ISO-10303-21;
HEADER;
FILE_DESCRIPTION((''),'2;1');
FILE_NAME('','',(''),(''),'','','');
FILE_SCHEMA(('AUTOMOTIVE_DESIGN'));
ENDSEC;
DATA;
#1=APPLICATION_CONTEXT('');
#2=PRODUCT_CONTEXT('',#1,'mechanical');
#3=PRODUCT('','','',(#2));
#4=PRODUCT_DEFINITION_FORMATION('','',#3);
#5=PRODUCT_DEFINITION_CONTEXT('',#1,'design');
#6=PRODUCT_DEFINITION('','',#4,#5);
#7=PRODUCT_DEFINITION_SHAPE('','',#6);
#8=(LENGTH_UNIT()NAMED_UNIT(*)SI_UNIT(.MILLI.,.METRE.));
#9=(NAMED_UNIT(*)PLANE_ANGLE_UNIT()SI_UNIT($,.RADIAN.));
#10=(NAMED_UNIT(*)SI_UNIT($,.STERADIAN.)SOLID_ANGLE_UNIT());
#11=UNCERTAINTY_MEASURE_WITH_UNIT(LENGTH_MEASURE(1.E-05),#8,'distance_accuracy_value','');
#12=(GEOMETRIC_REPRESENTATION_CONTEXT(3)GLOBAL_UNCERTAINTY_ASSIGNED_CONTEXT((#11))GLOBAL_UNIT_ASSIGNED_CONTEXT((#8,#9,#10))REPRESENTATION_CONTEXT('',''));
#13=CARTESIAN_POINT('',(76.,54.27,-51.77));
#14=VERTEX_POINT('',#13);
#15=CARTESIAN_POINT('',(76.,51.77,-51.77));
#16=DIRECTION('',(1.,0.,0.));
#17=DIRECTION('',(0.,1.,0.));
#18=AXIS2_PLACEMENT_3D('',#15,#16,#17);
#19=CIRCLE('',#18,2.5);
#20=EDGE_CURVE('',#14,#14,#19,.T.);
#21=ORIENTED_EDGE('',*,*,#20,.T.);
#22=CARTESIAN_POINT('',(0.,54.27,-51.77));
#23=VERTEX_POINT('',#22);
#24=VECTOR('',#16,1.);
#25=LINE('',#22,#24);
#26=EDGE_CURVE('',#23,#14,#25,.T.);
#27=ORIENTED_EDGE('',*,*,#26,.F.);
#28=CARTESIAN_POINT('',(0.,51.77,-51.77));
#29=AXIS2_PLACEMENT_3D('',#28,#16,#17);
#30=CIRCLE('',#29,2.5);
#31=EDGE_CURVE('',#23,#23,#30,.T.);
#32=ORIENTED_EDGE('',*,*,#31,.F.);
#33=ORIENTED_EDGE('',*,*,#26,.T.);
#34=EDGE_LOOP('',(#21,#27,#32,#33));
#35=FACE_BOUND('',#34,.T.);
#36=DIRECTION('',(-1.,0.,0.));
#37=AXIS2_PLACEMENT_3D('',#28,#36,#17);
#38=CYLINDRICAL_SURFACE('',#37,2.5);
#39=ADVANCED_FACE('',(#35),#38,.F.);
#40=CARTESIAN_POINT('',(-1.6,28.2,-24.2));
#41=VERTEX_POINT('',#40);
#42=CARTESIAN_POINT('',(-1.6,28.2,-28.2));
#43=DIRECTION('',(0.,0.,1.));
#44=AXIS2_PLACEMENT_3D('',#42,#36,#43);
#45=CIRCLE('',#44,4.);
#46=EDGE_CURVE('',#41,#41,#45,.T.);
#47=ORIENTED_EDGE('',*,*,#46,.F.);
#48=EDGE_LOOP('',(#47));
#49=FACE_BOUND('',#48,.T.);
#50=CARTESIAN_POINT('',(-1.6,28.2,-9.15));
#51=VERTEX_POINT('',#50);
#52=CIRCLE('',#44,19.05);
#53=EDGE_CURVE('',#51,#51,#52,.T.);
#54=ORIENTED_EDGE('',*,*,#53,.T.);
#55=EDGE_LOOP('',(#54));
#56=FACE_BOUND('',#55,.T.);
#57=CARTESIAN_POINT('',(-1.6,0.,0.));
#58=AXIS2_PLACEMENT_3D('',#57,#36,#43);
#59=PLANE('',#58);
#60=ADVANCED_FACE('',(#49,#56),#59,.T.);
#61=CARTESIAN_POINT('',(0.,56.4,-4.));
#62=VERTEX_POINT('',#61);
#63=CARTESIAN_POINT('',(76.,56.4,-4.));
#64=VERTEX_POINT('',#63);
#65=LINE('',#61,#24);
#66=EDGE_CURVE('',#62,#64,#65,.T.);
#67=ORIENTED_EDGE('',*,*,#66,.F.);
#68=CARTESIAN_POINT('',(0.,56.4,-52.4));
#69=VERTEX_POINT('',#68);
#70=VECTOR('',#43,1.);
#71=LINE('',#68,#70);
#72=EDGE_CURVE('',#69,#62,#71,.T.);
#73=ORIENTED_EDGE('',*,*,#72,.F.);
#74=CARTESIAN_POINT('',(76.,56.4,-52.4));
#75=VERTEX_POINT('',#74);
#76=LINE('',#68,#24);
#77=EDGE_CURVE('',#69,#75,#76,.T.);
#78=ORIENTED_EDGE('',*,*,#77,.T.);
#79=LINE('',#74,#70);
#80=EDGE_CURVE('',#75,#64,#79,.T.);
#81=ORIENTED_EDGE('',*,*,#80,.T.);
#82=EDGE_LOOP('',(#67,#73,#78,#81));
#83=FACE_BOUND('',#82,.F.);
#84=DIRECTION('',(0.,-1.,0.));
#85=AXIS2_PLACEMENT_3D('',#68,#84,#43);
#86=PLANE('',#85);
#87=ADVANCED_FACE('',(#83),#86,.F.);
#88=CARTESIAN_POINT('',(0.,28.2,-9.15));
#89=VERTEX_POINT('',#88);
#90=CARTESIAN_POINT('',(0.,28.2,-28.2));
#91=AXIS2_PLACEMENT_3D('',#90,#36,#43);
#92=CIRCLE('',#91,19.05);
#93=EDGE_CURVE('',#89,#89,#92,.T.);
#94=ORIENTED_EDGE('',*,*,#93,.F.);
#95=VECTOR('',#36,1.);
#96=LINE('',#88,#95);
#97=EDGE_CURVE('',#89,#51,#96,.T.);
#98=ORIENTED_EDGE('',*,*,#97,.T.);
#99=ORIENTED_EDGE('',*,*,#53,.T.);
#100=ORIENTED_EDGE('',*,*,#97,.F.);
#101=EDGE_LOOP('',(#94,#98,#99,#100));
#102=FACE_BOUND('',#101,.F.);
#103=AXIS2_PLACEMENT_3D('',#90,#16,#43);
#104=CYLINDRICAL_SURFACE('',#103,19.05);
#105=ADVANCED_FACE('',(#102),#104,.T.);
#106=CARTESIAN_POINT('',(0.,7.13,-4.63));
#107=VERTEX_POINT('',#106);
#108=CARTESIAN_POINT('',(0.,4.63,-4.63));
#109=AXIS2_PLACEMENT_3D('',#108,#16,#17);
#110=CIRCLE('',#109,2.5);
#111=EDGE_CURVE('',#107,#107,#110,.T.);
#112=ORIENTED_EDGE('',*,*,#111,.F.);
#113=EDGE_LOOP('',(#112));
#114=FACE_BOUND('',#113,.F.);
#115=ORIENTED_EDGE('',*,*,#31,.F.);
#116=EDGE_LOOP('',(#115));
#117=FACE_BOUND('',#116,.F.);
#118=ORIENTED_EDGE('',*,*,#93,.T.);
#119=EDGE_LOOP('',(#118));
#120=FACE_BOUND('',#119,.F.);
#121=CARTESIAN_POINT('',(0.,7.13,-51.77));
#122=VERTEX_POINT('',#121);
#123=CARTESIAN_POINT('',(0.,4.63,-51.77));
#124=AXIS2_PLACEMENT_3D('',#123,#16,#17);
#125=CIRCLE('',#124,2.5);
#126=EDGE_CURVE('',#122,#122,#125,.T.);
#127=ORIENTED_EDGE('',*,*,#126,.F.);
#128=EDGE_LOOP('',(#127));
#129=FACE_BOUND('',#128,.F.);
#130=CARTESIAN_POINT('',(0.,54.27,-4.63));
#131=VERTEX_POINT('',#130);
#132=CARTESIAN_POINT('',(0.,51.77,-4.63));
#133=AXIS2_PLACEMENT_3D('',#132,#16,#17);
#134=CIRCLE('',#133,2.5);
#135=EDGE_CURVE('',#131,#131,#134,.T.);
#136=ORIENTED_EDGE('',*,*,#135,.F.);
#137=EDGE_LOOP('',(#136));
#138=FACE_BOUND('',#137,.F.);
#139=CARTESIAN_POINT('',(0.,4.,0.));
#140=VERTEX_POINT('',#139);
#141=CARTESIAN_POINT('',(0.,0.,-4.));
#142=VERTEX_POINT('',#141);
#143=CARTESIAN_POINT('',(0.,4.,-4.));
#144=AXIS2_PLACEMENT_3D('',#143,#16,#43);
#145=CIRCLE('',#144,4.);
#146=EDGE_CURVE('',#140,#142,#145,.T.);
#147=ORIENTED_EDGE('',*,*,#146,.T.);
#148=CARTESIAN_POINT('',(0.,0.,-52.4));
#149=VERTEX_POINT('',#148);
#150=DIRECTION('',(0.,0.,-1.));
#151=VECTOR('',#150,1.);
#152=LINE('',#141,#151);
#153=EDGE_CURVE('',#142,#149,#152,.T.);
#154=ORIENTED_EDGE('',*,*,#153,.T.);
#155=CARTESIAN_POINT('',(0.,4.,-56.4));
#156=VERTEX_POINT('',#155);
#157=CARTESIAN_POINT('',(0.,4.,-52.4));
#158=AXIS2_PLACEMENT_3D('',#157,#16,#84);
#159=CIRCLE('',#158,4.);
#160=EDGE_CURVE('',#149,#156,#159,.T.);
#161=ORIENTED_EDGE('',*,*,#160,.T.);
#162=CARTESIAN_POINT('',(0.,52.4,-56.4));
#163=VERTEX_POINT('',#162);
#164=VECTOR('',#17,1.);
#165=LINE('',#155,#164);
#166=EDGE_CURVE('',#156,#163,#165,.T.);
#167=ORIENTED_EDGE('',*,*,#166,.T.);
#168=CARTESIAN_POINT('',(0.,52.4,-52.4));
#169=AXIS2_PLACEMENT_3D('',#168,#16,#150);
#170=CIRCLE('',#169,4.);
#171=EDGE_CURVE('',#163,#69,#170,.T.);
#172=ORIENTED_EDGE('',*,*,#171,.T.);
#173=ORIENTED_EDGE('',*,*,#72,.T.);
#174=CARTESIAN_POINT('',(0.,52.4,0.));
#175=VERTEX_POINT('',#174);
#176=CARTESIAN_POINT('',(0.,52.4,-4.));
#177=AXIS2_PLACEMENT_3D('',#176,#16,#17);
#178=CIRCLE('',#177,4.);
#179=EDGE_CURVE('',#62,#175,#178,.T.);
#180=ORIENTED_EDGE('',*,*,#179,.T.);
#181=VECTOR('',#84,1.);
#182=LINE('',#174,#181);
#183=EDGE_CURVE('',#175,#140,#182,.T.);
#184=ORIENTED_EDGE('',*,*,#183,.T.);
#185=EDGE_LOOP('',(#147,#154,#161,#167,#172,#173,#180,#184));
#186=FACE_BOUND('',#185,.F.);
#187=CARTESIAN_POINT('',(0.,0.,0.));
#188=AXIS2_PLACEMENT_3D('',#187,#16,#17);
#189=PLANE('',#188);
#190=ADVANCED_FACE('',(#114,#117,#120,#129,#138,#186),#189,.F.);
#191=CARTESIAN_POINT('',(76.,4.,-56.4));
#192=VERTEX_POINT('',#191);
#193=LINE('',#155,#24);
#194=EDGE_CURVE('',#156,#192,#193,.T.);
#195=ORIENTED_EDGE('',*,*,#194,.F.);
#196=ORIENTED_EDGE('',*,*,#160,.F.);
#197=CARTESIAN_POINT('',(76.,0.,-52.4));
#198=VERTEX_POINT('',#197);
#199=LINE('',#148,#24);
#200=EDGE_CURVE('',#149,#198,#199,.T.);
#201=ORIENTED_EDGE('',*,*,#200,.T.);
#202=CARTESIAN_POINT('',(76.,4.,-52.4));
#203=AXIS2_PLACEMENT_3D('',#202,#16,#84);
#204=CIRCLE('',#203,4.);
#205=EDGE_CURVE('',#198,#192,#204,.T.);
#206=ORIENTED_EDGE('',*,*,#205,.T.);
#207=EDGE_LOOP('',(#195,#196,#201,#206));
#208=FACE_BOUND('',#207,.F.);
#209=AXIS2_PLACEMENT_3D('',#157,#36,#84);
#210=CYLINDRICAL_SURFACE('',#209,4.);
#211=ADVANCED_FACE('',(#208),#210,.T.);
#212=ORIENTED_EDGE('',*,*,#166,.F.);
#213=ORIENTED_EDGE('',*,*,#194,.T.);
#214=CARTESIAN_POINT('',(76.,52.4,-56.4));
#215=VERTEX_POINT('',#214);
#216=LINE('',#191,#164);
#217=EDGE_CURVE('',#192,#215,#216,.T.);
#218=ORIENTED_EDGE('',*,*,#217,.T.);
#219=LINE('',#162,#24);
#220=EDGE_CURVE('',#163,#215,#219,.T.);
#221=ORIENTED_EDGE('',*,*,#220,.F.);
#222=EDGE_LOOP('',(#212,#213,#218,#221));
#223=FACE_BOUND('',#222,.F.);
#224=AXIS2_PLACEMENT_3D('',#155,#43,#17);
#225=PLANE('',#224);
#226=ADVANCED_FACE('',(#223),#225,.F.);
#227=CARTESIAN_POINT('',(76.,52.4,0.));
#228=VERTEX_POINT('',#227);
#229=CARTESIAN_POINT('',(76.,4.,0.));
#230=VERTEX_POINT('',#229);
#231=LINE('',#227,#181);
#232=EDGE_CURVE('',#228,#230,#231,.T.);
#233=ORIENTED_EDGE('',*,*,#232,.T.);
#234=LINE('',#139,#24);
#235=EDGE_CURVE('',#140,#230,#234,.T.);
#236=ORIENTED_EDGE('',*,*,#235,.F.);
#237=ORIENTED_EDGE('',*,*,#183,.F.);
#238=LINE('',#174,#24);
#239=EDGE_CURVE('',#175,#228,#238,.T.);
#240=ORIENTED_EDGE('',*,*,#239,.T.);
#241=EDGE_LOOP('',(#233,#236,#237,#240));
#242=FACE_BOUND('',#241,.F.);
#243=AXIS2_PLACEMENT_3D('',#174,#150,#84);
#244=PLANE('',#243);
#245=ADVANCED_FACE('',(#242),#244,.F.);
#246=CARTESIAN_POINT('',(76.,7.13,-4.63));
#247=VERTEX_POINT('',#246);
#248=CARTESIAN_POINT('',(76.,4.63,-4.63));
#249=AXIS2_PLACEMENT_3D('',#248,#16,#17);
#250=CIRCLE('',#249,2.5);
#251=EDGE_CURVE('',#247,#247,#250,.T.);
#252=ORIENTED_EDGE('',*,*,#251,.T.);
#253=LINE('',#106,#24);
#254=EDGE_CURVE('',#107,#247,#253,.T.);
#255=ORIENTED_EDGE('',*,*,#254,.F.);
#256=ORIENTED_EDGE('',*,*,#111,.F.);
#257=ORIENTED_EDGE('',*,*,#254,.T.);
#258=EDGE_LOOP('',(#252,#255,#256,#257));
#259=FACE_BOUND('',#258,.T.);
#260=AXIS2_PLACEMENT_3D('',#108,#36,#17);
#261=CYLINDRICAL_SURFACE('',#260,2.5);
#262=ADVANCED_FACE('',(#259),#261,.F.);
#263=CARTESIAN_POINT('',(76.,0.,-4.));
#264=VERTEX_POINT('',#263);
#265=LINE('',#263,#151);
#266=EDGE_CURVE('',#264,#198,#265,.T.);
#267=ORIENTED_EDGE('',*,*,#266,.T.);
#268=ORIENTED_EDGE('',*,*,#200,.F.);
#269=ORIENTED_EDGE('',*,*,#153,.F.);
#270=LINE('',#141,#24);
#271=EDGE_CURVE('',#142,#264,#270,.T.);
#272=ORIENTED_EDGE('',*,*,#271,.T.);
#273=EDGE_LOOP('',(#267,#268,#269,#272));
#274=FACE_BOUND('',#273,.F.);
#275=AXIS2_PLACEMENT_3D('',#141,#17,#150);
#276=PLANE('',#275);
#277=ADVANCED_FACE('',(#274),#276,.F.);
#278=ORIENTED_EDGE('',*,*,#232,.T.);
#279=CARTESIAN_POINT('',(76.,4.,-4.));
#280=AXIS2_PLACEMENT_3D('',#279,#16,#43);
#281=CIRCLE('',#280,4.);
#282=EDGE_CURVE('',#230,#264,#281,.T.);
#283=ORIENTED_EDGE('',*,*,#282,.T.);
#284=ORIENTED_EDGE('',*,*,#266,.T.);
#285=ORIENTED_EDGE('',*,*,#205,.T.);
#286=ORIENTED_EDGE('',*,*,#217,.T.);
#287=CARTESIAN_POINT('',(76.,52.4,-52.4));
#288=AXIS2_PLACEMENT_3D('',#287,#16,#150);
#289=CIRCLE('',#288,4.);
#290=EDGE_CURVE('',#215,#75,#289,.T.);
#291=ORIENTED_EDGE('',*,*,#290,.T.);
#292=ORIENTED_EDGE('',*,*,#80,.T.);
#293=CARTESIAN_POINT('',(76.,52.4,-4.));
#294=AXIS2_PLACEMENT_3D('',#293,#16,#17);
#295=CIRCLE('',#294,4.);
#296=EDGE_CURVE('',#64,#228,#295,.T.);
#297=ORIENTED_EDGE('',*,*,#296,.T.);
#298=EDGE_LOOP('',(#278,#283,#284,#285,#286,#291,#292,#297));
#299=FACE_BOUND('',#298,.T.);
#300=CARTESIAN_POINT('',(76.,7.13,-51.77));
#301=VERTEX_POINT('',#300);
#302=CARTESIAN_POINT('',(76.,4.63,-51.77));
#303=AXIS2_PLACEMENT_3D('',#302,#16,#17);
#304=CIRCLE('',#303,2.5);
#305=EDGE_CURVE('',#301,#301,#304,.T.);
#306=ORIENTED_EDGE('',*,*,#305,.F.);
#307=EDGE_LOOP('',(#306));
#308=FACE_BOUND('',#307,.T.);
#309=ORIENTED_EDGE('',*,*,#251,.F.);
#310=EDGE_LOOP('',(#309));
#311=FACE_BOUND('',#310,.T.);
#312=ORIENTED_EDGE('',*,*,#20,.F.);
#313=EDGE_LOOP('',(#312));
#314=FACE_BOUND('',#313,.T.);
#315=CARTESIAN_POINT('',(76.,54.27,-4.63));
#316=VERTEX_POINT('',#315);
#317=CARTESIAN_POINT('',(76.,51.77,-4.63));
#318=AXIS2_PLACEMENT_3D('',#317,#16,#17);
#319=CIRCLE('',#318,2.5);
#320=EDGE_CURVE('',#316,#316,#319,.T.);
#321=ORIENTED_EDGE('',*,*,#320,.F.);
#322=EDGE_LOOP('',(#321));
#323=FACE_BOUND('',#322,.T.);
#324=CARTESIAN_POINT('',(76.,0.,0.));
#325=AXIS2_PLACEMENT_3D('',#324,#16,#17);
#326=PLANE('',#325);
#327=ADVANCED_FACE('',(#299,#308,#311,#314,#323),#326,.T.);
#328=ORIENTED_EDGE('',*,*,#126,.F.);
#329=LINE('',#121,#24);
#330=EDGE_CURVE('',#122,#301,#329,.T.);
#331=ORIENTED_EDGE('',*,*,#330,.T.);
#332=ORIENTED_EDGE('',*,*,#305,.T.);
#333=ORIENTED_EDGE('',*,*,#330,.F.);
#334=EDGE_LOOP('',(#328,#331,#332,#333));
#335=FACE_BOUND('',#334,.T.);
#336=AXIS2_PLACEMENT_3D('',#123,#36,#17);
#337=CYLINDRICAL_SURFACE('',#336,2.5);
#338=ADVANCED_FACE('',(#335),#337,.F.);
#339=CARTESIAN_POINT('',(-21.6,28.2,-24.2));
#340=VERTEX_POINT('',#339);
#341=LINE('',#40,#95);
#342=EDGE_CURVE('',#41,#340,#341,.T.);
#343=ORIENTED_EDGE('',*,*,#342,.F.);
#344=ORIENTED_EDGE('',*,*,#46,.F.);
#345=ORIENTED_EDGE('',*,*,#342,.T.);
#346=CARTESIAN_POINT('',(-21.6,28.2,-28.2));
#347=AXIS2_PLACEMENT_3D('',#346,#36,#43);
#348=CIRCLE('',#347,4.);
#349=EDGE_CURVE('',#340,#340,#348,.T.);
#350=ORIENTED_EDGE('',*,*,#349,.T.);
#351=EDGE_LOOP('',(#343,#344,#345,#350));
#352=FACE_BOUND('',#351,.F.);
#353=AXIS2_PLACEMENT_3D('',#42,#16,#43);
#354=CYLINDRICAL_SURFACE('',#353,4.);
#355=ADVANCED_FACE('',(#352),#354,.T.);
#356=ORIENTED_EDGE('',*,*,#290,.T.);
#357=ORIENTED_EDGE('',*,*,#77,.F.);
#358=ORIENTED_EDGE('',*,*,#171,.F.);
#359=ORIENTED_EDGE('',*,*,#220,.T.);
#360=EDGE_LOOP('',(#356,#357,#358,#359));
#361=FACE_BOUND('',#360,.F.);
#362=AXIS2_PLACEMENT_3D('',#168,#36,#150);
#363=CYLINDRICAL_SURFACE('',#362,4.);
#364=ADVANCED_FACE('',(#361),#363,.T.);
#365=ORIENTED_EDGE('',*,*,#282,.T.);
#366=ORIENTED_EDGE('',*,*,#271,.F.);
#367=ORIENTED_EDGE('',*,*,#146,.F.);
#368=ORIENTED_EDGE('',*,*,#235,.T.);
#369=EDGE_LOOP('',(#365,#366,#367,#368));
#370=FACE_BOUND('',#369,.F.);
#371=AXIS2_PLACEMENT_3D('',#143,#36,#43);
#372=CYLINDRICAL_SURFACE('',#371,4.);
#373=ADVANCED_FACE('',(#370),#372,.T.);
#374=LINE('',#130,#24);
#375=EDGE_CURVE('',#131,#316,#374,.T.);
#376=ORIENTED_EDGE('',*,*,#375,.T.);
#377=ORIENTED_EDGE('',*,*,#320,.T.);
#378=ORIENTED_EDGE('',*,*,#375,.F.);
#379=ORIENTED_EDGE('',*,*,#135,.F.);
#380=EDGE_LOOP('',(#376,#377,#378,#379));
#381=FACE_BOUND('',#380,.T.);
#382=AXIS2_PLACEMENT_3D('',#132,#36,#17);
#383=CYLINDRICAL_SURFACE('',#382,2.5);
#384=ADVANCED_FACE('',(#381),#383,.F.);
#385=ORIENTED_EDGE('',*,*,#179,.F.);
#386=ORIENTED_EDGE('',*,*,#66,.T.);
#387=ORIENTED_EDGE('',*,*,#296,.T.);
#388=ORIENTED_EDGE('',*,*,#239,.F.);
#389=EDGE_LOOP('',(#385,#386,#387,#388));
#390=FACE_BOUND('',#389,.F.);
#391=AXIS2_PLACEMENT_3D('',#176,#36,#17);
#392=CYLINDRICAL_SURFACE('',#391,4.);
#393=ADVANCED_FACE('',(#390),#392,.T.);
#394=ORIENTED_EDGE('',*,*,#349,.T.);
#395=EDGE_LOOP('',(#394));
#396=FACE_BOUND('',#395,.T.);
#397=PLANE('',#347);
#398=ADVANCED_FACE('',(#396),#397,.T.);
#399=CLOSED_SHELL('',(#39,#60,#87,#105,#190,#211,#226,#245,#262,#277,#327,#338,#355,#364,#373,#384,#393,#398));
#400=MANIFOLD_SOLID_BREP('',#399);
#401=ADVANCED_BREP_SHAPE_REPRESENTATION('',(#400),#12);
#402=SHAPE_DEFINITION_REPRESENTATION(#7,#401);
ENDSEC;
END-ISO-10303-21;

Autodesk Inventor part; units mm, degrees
ref_plane "YZ Plane" through (0, 0, 0) normal (1, 0, 0) x (0, 1, 0)
ref_plane "XZ Plane" through (0, 0, 0) normal (0, 1, 0) x (-1, 0, 0)
ref_plane "XY Plane" through (0, 0, 0) normal (0, 0, 1) x (1, 0, 0)
sketch "Sketch1" plane through (0, 0, 0) normal (1, 0, 0) x (0, 1, 0)
  line L0 (52.4, 0) -> (4, 0)
  line L1 (0, -4) -> (0, -52.4)
  line L2 (4, -56.4) -> (52.4, -56.4)
  line L3 (56.4, -52.4) -> (56.4, -4)
  line L4 (51.77, -4.63) -> (4.63, -4.63) construction
  line L5 (4.63, -4.63) -> (4.63, -51.77) construction
  line L6 (4.63, -51.77) -> (51.77, -51.77) construction
  line L7 (51.77, -51.77) -> (51.77, -4.63) construction
  circle A0 centre (51.77, -4.63) radius 2.5
  circle A1 centre (51.77, -51.77) radius 2.5
  circle A2 centre (4.63, -4.63) radius 2.5
  circle A3 centre (4.63, -51.77) radius 2.5
  arc A4 (56.4, -4) -> (52.4, 0) centre (52.4, -4) ccw
  arc A5 (52.4, -56.4) -> (56.4, -52.4) centre (52.4, -52.4) ccw
  arc A6 (0, -52.4) -> (4, -56.4) centre (4, -52.4) ccw
  arc A7 (4, 0) -> (0, -4) centre (4, -4) ccw
  point P0 (0, 0)
  point P1 (56.4, 0)
  point P2 (0, 0)
  point P3 (56.4, -56.4)
  point P4 (56.4, -28.2)
  point P5 (51.77, -28.2)
  point P6 (28.2, -51.77)
  point P7 (28.2, -56.4)
  dimension "d0" = 56.4
  dimension "d1" = 47.14
  dimension "d2" = 5
  dimension "d3" = 4
  dimension "d4" = 4
  dimension "d5" = 4
  dimension "d6" = 4
extrude "Extrusion1" add sketch "Sketch1" along normal blind 76
sketch "Sketch2" plane through (0, 0, 0) normal (-1, 0, 0) x (0, 0, 1)
  circle A0 centre (-28.2, 28.2) radius 19.05
  line L0 (-52.4, 56.4) -> (-4, 56.4) projected
  line L1 (-56.4, 4) -> (-56.4, 52.4) projected
  point P0 (0, 0)
  point P1 (-28.2, 56.4)
  point P2 (-56.4, 28.2)
  dimension "d9" = 38.1
extrude "Extrusion2" add sketch "Sketch2" along normal blind 1.6
sketch "Sketch3" plane through (-1.6, 28.2, -28.2) normal (-1, 0, 0) x (0, 0, 1)
  circle A0 centre (0, 0) radius 4
  circle A1 centre (0, 0) radius 19.05 construction
  point P0 (28.2, -28.2)
  dimension "d12" = 8
extrude "Extrusion3" add sketch "Sketch3" along normal blind 20
properties part number "Nema23"
